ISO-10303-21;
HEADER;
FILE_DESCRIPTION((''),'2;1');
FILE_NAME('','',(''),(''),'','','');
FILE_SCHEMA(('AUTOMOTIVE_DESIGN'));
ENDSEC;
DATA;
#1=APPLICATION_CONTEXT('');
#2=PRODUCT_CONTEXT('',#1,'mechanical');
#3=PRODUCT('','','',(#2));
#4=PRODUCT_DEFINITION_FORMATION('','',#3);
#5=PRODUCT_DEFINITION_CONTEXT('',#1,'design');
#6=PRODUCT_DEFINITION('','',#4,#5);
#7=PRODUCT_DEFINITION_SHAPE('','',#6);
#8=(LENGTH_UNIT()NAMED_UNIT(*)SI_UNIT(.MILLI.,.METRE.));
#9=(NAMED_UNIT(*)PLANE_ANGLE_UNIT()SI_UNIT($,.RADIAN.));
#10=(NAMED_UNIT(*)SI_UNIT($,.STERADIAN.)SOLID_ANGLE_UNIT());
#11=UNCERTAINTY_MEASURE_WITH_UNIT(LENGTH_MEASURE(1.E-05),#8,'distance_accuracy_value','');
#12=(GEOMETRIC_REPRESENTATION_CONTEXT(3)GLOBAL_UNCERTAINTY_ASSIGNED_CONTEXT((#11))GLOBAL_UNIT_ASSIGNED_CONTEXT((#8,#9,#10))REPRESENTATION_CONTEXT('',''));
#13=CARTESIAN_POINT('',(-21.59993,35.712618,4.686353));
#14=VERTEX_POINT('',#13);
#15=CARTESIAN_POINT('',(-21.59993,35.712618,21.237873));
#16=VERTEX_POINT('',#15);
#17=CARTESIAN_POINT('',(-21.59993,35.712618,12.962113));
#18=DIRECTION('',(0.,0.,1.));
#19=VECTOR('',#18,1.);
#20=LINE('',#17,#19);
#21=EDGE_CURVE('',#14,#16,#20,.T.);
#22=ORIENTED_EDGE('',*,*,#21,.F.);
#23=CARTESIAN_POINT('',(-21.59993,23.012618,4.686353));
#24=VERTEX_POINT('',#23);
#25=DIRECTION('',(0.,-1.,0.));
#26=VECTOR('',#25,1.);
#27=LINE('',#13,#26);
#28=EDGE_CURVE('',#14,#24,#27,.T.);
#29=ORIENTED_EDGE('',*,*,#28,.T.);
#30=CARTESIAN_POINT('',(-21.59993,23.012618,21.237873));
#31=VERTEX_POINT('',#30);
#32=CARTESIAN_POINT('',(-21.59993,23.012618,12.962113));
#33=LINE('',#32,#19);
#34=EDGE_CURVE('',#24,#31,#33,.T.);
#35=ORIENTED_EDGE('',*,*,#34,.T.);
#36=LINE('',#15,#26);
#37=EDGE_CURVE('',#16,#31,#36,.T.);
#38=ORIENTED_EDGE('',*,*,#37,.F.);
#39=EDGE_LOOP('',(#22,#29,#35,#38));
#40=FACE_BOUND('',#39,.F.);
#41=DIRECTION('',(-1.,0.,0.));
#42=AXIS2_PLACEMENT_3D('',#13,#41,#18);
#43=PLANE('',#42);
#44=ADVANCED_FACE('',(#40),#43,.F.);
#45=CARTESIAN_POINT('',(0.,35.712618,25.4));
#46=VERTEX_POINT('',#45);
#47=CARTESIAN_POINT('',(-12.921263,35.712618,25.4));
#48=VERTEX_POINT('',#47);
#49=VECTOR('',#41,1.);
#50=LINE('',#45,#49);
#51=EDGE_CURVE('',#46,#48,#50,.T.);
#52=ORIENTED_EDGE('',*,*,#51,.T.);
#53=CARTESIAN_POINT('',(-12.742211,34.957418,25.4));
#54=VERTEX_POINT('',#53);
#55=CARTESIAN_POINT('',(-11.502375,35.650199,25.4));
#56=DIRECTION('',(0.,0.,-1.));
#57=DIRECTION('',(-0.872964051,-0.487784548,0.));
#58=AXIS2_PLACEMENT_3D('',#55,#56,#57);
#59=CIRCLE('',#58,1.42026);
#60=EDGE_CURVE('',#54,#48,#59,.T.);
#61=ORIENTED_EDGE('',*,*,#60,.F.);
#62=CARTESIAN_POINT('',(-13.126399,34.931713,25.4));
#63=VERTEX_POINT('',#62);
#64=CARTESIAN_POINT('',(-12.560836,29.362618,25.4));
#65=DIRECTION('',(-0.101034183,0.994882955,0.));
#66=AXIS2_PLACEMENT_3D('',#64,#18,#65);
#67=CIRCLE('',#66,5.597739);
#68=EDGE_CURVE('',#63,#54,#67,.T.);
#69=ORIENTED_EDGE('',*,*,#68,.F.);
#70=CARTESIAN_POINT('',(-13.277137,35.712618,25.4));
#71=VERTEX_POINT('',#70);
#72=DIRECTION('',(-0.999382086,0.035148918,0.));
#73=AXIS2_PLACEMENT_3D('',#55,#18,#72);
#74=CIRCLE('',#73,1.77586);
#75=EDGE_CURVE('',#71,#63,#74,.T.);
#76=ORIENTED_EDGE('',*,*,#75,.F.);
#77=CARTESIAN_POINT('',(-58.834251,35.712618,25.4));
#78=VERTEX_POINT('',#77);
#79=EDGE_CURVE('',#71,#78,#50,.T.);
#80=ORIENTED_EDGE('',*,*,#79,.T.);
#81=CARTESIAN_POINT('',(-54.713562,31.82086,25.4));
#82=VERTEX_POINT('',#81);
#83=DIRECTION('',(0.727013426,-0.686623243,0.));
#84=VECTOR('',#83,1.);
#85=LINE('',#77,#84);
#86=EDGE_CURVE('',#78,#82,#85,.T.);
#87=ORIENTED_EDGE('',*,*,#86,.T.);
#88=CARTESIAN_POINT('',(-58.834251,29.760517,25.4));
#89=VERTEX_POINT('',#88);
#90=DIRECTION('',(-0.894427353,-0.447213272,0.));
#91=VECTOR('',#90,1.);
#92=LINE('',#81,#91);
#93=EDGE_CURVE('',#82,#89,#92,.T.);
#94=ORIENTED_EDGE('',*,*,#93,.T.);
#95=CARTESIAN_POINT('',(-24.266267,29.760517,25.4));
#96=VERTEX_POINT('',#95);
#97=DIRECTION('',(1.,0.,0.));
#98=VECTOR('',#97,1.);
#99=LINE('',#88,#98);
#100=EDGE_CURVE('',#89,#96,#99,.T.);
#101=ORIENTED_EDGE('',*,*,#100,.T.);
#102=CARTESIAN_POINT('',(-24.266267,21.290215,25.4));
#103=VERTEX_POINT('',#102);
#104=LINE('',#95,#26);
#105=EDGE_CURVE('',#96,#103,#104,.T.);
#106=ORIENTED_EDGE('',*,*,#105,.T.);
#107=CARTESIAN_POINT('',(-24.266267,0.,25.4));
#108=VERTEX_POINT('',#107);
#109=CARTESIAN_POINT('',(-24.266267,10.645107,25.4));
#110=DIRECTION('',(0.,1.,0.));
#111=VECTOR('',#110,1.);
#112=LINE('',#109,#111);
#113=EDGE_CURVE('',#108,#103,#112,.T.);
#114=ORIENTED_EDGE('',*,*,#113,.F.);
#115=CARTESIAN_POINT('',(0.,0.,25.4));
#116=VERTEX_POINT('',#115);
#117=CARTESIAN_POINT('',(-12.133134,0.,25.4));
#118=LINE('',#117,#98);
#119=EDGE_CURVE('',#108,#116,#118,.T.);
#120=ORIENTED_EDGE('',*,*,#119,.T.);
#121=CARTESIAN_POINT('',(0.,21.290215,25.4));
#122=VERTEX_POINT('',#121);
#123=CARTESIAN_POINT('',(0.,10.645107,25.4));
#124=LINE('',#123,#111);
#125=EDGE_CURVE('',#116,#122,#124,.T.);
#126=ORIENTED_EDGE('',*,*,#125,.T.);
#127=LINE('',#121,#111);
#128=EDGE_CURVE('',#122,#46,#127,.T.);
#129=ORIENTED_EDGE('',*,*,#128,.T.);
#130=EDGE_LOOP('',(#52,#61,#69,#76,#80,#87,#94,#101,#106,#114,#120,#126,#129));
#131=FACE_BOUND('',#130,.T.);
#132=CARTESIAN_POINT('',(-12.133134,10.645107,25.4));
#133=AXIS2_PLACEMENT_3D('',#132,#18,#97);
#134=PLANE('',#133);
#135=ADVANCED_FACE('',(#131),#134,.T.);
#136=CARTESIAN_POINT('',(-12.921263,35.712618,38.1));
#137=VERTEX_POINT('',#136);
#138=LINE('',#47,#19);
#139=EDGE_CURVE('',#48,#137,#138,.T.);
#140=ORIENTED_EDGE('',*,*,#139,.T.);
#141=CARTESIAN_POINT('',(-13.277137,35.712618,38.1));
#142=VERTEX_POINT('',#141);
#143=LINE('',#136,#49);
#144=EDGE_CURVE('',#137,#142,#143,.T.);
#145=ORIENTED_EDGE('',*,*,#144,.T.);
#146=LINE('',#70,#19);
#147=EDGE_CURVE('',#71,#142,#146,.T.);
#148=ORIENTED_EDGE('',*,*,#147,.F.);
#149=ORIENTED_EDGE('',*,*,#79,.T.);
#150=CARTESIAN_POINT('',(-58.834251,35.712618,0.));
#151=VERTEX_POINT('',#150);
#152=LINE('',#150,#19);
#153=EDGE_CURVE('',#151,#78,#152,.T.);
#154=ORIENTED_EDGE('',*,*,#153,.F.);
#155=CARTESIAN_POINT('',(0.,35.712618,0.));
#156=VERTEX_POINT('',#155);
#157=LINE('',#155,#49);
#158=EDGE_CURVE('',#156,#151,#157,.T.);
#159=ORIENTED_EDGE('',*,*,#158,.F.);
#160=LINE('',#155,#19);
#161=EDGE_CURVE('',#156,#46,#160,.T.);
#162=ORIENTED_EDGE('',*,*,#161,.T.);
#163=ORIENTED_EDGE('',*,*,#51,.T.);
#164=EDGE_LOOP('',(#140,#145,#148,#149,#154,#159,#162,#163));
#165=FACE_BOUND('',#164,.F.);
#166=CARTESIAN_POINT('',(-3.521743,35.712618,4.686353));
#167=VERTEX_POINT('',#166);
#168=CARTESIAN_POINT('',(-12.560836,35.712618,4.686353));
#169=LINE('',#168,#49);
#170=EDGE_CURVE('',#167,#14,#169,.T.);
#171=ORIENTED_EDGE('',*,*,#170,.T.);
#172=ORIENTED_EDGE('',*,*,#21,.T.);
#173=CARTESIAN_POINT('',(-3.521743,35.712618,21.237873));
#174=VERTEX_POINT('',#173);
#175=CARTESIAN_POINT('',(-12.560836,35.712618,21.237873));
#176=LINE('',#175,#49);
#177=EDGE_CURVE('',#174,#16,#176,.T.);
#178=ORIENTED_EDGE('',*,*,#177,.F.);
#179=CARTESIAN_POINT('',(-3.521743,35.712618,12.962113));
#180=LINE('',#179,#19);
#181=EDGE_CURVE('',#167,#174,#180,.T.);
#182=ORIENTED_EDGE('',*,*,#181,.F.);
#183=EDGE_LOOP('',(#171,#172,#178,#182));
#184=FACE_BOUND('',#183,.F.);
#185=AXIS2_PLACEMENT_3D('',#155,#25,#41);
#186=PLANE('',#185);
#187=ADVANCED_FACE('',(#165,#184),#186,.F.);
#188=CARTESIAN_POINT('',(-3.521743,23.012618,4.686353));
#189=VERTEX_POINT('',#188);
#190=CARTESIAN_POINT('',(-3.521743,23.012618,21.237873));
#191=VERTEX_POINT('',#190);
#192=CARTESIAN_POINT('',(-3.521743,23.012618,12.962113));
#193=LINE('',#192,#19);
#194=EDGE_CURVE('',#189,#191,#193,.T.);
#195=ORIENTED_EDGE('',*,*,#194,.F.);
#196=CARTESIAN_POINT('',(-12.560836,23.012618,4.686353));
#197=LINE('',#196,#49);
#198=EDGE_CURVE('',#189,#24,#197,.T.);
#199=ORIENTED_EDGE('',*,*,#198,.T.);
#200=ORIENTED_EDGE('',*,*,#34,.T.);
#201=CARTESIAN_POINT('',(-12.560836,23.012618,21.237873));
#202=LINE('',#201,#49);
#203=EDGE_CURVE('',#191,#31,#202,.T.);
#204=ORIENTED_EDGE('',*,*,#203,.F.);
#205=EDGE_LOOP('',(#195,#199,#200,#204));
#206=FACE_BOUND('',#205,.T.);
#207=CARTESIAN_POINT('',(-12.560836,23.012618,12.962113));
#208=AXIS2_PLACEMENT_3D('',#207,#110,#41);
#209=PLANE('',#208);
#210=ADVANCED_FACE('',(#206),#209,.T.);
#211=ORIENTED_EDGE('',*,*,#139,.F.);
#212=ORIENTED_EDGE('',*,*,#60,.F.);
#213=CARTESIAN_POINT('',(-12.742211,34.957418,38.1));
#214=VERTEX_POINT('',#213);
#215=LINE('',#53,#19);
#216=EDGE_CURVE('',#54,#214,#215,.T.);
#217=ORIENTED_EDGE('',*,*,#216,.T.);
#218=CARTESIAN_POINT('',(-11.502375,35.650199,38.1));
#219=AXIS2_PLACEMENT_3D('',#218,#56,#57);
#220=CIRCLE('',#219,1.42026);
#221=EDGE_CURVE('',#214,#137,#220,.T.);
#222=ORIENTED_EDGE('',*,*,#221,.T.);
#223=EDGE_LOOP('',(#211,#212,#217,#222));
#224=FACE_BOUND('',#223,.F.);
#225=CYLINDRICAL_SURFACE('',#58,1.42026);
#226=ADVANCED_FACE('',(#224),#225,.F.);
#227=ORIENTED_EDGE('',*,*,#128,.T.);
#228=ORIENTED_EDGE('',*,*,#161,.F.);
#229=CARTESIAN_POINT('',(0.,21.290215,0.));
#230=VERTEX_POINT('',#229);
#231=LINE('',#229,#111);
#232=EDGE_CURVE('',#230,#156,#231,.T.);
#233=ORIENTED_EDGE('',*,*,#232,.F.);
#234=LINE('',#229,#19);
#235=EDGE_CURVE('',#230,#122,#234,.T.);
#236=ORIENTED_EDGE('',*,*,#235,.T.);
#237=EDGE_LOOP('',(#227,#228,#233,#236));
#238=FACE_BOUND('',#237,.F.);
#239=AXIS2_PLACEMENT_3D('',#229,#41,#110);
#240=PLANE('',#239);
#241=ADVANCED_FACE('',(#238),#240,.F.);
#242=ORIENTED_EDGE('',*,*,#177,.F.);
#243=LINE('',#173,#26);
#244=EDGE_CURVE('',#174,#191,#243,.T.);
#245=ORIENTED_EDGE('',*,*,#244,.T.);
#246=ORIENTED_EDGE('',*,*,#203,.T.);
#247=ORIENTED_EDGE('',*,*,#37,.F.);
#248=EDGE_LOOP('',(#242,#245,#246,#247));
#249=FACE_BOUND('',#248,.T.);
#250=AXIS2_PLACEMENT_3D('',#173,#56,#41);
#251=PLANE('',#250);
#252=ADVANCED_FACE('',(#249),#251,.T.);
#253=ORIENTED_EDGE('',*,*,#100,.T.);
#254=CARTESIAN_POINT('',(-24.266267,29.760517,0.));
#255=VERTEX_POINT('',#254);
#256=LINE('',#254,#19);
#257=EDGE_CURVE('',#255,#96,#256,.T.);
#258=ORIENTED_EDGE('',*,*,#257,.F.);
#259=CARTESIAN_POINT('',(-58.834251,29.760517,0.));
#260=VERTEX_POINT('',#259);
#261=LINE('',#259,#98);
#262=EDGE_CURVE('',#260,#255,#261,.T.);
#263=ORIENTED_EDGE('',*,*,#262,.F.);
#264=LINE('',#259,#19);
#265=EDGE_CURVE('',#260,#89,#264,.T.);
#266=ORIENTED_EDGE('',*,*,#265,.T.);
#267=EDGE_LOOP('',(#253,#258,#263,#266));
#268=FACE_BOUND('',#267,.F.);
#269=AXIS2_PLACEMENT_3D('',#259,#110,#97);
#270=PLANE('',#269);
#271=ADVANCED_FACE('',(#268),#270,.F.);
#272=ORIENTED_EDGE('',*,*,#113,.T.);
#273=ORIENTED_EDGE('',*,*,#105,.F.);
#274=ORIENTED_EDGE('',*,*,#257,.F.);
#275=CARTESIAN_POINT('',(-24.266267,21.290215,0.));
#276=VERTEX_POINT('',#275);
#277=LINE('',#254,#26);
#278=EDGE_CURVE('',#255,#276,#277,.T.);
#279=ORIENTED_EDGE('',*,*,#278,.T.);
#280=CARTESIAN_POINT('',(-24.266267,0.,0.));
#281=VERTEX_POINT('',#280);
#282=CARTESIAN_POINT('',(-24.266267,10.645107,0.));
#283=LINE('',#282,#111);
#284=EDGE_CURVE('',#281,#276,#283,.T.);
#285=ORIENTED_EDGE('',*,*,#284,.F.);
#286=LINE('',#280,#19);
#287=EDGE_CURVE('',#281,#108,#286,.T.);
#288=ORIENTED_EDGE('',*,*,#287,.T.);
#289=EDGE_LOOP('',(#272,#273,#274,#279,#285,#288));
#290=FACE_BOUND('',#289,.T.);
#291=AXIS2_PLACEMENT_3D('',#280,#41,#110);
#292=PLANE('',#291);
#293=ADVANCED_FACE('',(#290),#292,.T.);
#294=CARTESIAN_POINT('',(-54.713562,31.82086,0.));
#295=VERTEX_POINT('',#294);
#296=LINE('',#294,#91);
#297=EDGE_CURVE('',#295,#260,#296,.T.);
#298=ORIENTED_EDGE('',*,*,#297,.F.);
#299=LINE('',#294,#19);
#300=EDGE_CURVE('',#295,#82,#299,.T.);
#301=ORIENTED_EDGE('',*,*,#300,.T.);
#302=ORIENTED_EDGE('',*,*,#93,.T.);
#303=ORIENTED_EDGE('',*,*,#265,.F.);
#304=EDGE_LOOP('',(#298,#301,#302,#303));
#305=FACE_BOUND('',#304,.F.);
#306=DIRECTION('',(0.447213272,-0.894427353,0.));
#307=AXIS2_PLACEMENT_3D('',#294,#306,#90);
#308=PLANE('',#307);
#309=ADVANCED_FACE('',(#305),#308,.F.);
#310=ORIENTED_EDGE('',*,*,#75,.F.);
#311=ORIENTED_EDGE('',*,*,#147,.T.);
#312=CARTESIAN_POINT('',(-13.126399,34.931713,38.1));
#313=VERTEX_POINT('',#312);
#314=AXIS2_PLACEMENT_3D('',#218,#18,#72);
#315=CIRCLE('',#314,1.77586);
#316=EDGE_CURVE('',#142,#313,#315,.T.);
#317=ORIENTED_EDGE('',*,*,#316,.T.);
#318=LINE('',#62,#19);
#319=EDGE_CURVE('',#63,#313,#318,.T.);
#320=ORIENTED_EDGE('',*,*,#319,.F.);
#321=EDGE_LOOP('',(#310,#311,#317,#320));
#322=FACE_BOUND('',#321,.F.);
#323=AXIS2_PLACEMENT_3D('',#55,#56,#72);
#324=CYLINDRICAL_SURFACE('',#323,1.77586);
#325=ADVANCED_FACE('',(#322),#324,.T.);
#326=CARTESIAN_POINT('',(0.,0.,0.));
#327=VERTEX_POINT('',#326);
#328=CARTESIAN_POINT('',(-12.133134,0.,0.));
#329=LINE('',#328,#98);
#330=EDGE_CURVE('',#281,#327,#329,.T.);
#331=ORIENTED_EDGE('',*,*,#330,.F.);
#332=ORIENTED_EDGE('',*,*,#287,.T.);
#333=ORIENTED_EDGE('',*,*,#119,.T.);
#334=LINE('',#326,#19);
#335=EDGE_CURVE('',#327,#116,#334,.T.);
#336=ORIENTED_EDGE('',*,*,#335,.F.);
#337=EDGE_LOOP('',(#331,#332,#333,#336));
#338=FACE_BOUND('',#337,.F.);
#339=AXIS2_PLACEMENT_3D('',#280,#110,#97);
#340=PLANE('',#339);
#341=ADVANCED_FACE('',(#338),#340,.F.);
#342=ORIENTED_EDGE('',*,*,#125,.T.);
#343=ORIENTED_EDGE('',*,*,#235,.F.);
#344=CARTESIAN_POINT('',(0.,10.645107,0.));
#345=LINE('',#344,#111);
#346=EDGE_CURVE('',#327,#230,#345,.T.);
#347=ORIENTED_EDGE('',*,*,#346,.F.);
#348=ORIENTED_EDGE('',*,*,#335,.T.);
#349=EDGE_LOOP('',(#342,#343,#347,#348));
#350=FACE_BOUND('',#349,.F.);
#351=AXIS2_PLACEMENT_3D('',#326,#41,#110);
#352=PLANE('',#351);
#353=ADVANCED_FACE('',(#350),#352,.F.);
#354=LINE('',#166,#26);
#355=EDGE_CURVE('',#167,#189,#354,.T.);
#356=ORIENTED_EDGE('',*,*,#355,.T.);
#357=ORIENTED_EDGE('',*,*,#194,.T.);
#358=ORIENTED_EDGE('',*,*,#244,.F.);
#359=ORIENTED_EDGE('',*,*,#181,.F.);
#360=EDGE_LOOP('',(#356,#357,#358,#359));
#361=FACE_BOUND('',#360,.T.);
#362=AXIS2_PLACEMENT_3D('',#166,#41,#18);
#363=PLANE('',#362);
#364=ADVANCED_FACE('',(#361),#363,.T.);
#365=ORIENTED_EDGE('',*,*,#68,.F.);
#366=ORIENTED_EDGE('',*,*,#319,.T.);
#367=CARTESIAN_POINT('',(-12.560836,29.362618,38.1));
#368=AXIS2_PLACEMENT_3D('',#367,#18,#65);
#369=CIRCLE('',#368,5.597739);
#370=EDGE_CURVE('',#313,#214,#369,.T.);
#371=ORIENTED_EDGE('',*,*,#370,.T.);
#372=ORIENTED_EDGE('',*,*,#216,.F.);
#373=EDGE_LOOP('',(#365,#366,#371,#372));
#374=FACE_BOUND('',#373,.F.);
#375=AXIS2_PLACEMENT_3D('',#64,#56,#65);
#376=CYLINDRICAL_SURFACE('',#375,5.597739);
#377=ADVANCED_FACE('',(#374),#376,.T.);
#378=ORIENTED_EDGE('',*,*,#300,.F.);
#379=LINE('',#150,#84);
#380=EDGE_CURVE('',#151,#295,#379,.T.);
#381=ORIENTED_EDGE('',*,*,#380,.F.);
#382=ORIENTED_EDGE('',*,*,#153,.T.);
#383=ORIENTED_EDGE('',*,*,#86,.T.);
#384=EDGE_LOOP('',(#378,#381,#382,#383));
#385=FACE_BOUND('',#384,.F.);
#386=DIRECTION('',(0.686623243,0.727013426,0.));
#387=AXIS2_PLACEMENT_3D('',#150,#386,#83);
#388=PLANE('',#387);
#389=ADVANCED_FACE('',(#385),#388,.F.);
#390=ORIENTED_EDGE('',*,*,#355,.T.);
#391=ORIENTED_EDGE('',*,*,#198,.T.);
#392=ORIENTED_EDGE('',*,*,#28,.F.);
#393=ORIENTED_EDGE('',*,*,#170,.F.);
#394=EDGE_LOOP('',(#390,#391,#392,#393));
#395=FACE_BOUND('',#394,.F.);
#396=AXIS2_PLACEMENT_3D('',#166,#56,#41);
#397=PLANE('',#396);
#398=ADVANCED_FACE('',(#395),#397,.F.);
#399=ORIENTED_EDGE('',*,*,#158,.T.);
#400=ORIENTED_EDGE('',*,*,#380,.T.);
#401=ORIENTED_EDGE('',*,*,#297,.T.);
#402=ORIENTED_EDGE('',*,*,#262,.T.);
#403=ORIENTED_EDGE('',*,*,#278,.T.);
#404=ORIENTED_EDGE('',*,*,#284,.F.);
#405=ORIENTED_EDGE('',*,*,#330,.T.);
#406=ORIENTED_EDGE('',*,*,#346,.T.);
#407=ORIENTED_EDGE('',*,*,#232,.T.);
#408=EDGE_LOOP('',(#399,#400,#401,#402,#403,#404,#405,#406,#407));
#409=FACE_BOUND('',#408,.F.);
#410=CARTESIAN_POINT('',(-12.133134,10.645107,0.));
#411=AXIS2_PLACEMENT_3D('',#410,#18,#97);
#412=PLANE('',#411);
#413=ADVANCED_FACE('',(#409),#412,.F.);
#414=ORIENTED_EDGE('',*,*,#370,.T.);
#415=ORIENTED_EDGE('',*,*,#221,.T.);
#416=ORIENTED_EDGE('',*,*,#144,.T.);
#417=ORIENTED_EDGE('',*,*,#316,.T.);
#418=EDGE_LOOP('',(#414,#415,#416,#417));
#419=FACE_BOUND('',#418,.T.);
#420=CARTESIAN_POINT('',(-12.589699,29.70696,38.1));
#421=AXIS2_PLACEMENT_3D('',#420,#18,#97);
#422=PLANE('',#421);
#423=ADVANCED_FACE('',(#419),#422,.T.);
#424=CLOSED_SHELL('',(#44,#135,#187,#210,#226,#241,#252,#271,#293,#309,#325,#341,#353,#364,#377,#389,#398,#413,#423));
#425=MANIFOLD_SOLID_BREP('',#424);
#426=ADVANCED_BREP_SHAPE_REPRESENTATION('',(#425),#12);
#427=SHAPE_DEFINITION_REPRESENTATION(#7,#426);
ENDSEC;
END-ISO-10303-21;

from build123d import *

# Parameters (mm, degrees)
F0_W     = 24.2662671953
F0_H     = 21.2902147323
F1_DEPTH = 25.4
F2_W     = 18.0781867821
F2_H     = 16.5515192784
F3_DEPTH = 12.7
F5_DEPTH = 12.7


with BuildPart() as f1:
    # F0 (on Top) → F1 (new body)
    with BuildSketch(Plane.XY):
        with Locations((-12.1331335977, 10.6451073661)):
            Rectangle(F0_W, F0_H)
        Polygon((-24.2662671953, 21.2902147323), (0, 21.2902147323), (0, 34.7969122231), (0, 35.7126183808), (-58.8342510164, 35.7126183808), (-54.7135621309, 31.82085976), (-58.8342510164, 29.76051718), (-24.2662671953, 29.76051718), align=None)
    extrude(amount=F1_DEPTH)

    # F2 (on face) → F3 (cut)
    with BuildSketch(Plane(origin=(0, 35.7126183808, 0), x_dir=(-1, 0, 0), z_dir=(0, 1, 0))):
        with Locations((12.5608363887, 12.9621129017)):
            Rectangle(F2_W, F2_H)
    extrude(amount=-F3_DEPTH, mode=Mode.SUBTRACT)

    # F4 (on face) → F5 (join)
    with BuildSketch(Plane.XY.offset(25.4)):
        with BuildLine():
            Line((-12.9212626108, 35.7126183808), (-13.2771370955, 35.7126183808))
            ThreePointArc((-13.2771370955, 35.7126183808), (-13.246046568, 35.3136187013), (-13.1263993339, 34.9317130788))
            ThreePointArc((-13.1263993339, 34.9317130788), (-12.1871466245, 23.7773669845), (-12.7422108084, 34.9574177981))
            ThreePointArc((-12.7422108084, 34.9574177981), (-12.8843245269, 35.3225499536), (-12.9212626108, 35.7126183808))
        make_face()
    extrude(amount=F5_DEPTH)


solid = f1.part
